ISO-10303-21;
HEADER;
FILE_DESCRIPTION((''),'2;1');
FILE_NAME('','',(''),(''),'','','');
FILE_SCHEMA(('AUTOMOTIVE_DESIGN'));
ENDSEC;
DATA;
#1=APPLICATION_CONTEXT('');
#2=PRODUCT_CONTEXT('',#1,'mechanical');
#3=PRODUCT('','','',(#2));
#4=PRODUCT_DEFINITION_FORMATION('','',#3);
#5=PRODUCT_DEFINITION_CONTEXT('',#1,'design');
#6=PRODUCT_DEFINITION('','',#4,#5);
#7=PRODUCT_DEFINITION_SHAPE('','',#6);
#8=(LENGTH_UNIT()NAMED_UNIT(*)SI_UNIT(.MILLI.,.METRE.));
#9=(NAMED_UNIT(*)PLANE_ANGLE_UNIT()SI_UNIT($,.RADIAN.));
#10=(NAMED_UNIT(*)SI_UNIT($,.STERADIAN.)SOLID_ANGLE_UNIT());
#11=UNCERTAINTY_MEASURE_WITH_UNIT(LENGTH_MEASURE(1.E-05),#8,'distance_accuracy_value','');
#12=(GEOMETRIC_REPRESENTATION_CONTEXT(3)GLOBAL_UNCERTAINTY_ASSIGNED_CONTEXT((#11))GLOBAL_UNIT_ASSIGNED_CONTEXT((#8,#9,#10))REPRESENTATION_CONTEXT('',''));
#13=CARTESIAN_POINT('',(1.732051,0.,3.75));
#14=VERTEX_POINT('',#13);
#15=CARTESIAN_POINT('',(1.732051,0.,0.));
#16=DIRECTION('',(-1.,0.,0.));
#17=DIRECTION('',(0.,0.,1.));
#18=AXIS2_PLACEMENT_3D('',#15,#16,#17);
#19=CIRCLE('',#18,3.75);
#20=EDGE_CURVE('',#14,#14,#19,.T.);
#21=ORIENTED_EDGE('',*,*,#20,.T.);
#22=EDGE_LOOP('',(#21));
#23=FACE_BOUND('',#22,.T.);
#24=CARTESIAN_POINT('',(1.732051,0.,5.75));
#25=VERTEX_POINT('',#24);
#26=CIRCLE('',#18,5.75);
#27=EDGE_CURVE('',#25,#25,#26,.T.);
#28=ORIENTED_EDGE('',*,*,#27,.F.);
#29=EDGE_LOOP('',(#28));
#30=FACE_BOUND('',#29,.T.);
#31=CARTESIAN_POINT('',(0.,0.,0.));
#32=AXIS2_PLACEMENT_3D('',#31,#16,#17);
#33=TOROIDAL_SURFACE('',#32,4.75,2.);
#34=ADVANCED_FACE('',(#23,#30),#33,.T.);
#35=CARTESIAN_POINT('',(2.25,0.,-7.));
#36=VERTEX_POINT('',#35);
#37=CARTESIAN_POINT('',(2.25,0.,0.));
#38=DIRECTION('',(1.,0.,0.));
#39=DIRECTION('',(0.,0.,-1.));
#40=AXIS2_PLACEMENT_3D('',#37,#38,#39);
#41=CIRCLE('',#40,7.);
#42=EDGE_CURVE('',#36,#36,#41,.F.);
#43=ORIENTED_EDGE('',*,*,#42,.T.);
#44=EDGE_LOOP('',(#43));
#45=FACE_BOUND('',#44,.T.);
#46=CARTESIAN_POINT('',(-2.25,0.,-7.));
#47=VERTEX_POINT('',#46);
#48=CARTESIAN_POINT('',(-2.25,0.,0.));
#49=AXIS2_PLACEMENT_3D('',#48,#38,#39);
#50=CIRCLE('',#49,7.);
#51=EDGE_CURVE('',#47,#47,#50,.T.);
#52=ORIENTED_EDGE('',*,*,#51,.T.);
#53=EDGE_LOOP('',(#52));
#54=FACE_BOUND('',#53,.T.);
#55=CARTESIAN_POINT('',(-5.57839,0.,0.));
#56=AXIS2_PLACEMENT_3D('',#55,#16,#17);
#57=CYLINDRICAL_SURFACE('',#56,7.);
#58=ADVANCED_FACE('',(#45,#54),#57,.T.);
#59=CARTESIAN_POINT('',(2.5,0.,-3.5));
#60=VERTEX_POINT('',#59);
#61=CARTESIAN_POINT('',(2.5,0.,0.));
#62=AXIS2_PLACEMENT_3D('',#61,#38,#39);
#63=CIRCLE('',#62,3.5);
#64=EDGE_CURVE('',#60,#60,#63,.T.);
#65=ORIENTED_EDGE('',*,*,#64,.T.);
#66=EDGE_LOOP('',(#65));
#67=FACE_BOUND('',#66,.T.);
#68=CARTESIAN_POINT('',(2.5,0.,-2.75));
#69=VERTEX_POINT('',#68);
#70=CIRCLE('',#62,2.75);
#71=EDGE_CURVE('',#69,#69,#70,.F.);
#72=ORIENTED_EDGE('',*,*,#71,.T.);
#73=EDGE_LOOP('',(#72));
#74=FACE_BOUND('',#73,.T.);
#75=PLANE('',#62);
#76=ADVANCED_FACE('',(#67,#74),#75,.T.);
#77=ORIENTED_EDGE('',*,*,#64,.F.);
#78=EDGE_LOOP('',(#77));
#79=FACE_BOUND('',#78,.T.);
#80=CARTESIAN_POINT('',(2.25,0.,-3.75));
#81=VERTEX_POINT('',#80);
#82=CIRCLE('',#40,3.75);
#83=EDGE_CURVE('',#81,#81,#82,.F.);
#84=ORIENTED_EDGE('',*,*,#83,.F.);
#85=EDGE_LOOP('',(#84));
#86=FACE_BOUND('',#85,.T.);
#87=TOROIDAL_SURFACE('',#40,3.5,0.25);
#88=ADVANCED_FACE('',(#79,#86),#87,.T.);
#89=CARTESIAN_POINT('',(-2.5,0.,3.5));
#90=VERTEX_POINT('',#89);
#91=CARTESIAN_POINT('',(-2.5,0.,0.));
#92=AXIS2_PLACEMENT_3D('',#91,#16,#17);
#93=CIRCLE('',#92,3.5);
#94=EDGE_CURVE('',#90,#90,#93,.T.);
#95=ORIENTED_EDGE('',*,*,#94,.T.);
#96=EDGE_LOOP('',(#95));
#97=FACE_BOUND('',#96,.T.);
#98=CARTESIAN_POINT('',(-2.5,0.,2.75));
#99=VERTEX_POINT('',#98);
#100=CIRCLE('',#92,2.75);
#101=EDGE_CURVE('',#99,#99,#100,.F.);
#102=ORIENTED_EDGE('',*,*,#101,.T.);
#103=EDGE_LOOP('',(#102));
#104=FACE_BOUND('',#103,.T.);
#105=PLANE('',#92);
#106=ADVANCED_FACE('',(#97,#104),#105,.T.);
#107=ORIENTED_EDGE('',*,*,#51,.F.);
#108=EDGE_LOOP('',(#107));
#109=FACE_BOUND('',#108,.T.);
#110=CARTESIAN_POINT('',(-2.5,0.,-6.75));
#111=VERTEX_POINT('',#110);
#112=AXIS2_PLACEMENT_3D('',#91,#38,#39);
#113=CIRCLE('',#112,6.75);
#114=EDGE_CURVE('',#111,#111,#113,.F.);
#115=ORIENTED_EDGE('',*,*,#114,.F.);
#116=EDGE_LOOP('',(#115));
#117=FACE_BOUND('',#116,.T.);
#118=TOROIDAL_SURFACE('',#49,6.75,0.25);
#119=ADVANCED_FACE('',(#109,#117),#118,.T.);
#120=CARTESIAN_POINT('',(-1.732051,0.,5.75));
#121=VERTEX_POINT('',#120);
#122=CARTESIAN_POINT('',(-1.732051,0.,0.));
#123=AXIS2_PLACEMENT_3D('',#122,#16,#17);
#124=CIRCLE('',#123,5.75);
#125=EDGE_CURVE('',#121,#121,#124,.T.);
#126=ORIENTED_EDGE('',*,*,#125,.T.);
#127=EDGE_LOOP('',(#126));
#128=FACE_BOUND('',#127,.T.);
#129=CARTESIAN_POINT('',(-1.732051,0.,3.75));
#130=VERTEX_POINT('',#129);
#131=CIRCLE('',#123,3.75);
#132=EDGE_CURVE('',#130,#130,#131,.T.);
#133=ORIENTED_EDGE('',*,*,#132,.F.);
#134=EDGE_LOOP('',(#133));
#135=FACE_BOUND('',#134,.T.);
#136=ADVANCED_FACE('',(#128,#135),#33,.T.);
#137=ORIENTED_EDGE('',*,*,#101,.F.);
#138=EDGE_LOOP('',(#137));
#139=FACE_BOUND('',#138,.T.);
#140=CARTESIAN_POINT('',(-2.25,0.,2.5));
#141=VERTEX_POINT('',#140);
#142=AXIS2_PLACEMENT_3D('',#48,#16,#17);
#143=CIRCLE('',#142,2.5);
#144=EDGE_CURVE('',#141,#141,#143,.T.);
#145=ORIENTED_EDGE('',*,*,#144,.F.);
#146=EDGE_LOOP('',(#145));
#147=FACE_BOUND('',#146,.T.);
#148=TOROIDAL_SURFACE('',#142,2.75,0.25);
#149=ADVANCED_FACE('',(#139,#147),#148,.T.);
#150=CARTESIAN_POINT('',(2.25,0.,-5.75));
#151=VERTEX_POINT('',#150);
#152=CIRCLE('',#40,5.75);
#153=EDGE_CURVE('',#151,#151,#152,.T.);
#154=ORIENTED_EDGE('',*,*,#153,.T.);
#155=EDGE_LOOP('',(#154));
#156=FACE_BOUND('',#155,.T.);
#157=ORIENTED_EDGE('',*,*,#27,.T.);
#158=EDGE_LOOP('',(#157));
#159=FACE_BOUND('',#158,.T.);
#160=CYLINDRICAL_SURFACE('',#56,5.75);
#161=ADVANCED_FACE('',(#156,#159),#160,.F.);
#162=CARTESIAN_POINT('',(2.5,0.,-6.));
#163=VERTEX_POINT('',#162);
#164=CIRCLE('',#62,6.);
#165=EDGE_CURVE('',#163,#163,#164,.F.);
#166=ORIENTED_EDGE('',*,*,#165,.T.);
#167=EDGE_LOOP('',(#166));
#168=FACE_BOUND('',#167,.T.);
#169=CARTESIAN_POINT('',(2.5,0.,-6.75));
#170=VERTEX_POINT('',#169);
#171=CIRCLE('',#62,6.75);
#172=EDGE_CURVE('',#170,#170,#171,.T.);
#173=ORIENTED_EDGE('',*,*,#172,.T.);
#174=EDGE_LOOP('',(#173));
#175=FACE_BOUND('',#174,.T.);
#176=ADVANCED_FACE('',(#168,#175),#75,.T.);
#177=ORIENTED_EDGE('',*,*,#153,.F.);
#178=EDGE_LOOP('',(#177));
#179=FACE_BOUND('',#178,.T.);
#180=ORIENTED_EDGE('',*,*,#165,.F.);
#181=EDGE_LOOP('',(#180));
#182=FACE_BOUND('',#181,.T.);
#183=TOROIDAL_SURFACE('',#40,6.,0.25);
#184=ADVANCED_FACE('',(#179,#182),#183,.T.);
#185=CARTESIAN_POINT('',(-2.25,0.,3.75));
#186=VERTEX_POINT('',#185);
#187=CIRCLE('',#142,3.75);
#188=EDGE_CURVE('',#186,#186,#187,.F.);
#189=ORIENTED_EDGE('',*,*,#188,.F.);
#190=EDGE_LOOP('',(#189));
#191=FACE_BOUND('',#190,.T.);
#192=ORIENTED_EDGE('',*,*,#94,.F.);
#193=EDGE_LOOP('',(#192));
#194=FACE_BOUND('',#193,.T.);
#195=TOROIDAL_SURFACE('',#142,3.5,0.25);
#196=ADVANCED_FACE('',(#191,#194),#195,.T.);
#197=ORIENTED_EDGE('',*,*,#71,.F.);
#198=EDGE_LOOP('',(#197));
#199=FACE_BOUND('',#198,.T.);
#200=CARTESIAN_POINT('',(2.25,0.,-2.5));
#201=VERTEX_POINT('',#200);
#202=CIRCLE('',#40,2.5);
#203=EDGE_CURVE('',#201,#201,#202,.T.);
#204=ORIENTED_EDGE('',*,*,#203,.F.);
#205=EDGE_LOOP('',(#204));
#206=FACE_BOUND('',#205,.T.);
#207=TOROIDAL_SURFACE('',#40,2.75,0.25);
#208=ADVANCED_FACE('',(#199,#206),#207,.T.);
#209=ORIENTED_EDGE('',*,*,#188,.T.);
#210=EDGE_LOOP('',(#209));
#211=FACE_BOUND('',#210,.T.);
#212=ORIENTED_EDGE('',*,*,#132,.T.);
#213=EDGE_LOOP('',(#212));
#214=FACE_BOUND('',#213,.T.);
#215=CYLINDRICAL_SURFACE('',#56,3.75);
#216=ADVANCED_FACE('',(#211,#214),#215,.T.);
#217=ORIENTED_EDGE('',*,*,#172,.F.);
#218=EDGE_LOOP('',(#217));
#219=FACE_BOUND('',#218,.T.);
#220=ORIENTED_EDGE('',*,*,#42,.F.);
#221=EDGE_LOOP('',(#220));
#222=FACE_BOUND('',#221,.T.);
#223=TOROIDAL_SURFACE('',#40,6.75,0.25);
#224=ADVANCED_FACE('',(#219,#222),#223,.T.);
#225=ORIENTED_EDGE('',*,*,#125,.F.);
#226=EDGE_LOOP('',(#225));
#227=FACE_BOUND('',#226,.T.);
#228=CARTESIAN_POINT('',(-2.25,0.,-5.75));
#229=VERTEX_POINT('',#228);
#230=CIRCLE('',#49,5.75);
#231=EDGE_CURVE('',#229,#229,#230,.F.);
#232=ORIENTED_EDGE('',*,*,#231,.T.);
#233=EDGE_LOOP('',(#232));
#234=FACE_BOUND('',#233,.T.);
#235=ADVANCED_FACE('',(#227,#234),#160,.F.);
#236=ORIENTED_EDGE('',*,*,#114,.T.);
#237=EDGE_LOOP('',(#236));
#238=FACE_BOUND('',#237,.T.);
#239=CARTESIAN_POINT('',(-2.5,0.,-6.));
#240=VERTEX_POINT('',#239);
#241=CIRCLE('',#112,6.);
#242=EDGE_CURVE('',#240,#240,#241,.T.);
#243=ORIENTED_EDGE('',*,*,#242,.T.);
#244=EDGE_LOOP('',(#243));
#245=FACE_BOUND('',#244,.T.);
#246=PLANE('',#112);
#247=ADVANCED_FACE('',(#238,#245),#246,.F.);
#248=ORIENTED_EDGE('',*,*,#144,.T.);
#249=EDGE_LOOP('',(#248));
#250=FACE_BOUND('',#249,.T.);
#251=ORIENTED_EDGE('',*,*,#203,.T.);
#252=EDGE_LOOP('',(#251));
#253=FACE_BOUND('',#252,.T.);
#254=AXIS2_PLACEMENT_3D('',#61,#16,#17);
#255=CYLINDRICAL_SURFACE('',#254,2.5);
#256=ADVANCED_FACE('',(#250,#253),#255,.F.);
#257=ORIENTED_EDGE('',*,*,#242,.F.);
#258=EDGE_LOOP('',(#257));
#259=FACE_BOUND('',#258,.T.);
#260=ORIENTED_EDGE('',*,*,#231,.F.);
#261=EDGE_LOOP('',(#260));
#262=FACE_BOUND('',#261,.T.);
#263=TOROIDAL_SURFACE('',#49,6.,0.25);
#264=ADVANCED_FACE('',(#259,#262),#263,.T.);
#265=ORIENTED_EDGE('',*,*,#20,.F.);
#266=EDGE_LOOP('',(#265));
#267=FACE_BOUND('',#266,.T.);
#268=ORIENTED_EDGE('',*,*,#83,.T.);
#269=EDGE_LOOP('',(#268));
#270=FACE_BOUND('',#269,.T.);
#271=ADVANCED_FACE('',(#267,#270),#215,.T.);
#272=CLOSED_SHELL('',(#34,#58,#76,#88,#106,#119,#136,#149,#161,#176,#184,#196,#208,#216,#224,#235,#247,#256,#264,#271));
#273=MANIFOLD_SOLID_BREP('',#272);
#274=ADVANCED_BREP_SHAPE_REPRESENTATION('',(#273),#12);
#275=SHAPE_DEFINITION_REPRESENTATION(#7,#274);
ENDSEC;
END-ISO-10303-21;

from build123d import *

# Parameters (mm, degrees)
SKETCH_2_R          = 2.5
CUT_EXTRUDE_1_DEPTH = 5
FILLET_1_R          = 0.25


with BuildPart() as part:
    # 草图1 → 旋转1 (revolve)
    with BuildSketch(Plane.XY, mode=Mode.PRIVATE) as revolve_1_sk:
        with BuildLine():
            Line((2.5, 2.5), (2.5, 3.75))
            Line((2.5, 3.75), (1.732050808, 3.75))
            ThreePointArc((1.732050808, 3.75), (2, 4.75), (1.732050808, 5.75))
            Line((1.732050808, 5.75), (2.5, 5.75))
            Line((2.5, 5.75), (2.5, 7))
            Line((2.5, 7), (-2.5, 7))
            Line((-2.5, 7), (-2.5, 5.75))
            Line((-2.5, 5.75), (-1.732050808, 5.75))
            ThreePointArc((-1.732050808, 5.75), (-2, 4.75), (-1.732050808, 3.75))
            Line((-1.732050808, 3.75), (-2.5, 3.75))
            Line((-2.5, 3.75), (-2.5, 2.5))
            Line((-2.5, 2.5), (-2.5, 0))
            Line((-2.5, 0), (2.5, 0))
            Line((2.5, 0), (2.5, 2.5))
        make_face()
    revolve(revolve_1_sk.sketch.rotate(Axis((-5.578389838, 0, 0), (1, 0, 0)), 90), axis=Axis((-5.578389838, 0, 0), (1, 0, 0)))

    # 草图2 → 切除-拉伸1 (cut)
    with BuildSketch(Plane.ZY.offset(2.5)):
        Circle(SKETCH_2_R)
    extrude(amount=-CUT_EXTRUDE_1_DEPTH, mode=Mode.SUBTRACT)

    # 圆角1
    fillet_1_edges = [part.edges().sort_by_distance(p)[0] for p in [
        (2.5, 0, -3.75),
        (-2.5, 0, -3.75),
        (-2.5, 0, -5.75),
        (-2.5, 0, -7),
        (2.5, 0, -7),
        (2.5, 0, -5.75),
        (2.5, 0, -2.5),
        (-2.5, 0, -2.5),
    ]]
    fillet(fillet_1_edges, radius=FILLET_1_R)


solid = part.part
